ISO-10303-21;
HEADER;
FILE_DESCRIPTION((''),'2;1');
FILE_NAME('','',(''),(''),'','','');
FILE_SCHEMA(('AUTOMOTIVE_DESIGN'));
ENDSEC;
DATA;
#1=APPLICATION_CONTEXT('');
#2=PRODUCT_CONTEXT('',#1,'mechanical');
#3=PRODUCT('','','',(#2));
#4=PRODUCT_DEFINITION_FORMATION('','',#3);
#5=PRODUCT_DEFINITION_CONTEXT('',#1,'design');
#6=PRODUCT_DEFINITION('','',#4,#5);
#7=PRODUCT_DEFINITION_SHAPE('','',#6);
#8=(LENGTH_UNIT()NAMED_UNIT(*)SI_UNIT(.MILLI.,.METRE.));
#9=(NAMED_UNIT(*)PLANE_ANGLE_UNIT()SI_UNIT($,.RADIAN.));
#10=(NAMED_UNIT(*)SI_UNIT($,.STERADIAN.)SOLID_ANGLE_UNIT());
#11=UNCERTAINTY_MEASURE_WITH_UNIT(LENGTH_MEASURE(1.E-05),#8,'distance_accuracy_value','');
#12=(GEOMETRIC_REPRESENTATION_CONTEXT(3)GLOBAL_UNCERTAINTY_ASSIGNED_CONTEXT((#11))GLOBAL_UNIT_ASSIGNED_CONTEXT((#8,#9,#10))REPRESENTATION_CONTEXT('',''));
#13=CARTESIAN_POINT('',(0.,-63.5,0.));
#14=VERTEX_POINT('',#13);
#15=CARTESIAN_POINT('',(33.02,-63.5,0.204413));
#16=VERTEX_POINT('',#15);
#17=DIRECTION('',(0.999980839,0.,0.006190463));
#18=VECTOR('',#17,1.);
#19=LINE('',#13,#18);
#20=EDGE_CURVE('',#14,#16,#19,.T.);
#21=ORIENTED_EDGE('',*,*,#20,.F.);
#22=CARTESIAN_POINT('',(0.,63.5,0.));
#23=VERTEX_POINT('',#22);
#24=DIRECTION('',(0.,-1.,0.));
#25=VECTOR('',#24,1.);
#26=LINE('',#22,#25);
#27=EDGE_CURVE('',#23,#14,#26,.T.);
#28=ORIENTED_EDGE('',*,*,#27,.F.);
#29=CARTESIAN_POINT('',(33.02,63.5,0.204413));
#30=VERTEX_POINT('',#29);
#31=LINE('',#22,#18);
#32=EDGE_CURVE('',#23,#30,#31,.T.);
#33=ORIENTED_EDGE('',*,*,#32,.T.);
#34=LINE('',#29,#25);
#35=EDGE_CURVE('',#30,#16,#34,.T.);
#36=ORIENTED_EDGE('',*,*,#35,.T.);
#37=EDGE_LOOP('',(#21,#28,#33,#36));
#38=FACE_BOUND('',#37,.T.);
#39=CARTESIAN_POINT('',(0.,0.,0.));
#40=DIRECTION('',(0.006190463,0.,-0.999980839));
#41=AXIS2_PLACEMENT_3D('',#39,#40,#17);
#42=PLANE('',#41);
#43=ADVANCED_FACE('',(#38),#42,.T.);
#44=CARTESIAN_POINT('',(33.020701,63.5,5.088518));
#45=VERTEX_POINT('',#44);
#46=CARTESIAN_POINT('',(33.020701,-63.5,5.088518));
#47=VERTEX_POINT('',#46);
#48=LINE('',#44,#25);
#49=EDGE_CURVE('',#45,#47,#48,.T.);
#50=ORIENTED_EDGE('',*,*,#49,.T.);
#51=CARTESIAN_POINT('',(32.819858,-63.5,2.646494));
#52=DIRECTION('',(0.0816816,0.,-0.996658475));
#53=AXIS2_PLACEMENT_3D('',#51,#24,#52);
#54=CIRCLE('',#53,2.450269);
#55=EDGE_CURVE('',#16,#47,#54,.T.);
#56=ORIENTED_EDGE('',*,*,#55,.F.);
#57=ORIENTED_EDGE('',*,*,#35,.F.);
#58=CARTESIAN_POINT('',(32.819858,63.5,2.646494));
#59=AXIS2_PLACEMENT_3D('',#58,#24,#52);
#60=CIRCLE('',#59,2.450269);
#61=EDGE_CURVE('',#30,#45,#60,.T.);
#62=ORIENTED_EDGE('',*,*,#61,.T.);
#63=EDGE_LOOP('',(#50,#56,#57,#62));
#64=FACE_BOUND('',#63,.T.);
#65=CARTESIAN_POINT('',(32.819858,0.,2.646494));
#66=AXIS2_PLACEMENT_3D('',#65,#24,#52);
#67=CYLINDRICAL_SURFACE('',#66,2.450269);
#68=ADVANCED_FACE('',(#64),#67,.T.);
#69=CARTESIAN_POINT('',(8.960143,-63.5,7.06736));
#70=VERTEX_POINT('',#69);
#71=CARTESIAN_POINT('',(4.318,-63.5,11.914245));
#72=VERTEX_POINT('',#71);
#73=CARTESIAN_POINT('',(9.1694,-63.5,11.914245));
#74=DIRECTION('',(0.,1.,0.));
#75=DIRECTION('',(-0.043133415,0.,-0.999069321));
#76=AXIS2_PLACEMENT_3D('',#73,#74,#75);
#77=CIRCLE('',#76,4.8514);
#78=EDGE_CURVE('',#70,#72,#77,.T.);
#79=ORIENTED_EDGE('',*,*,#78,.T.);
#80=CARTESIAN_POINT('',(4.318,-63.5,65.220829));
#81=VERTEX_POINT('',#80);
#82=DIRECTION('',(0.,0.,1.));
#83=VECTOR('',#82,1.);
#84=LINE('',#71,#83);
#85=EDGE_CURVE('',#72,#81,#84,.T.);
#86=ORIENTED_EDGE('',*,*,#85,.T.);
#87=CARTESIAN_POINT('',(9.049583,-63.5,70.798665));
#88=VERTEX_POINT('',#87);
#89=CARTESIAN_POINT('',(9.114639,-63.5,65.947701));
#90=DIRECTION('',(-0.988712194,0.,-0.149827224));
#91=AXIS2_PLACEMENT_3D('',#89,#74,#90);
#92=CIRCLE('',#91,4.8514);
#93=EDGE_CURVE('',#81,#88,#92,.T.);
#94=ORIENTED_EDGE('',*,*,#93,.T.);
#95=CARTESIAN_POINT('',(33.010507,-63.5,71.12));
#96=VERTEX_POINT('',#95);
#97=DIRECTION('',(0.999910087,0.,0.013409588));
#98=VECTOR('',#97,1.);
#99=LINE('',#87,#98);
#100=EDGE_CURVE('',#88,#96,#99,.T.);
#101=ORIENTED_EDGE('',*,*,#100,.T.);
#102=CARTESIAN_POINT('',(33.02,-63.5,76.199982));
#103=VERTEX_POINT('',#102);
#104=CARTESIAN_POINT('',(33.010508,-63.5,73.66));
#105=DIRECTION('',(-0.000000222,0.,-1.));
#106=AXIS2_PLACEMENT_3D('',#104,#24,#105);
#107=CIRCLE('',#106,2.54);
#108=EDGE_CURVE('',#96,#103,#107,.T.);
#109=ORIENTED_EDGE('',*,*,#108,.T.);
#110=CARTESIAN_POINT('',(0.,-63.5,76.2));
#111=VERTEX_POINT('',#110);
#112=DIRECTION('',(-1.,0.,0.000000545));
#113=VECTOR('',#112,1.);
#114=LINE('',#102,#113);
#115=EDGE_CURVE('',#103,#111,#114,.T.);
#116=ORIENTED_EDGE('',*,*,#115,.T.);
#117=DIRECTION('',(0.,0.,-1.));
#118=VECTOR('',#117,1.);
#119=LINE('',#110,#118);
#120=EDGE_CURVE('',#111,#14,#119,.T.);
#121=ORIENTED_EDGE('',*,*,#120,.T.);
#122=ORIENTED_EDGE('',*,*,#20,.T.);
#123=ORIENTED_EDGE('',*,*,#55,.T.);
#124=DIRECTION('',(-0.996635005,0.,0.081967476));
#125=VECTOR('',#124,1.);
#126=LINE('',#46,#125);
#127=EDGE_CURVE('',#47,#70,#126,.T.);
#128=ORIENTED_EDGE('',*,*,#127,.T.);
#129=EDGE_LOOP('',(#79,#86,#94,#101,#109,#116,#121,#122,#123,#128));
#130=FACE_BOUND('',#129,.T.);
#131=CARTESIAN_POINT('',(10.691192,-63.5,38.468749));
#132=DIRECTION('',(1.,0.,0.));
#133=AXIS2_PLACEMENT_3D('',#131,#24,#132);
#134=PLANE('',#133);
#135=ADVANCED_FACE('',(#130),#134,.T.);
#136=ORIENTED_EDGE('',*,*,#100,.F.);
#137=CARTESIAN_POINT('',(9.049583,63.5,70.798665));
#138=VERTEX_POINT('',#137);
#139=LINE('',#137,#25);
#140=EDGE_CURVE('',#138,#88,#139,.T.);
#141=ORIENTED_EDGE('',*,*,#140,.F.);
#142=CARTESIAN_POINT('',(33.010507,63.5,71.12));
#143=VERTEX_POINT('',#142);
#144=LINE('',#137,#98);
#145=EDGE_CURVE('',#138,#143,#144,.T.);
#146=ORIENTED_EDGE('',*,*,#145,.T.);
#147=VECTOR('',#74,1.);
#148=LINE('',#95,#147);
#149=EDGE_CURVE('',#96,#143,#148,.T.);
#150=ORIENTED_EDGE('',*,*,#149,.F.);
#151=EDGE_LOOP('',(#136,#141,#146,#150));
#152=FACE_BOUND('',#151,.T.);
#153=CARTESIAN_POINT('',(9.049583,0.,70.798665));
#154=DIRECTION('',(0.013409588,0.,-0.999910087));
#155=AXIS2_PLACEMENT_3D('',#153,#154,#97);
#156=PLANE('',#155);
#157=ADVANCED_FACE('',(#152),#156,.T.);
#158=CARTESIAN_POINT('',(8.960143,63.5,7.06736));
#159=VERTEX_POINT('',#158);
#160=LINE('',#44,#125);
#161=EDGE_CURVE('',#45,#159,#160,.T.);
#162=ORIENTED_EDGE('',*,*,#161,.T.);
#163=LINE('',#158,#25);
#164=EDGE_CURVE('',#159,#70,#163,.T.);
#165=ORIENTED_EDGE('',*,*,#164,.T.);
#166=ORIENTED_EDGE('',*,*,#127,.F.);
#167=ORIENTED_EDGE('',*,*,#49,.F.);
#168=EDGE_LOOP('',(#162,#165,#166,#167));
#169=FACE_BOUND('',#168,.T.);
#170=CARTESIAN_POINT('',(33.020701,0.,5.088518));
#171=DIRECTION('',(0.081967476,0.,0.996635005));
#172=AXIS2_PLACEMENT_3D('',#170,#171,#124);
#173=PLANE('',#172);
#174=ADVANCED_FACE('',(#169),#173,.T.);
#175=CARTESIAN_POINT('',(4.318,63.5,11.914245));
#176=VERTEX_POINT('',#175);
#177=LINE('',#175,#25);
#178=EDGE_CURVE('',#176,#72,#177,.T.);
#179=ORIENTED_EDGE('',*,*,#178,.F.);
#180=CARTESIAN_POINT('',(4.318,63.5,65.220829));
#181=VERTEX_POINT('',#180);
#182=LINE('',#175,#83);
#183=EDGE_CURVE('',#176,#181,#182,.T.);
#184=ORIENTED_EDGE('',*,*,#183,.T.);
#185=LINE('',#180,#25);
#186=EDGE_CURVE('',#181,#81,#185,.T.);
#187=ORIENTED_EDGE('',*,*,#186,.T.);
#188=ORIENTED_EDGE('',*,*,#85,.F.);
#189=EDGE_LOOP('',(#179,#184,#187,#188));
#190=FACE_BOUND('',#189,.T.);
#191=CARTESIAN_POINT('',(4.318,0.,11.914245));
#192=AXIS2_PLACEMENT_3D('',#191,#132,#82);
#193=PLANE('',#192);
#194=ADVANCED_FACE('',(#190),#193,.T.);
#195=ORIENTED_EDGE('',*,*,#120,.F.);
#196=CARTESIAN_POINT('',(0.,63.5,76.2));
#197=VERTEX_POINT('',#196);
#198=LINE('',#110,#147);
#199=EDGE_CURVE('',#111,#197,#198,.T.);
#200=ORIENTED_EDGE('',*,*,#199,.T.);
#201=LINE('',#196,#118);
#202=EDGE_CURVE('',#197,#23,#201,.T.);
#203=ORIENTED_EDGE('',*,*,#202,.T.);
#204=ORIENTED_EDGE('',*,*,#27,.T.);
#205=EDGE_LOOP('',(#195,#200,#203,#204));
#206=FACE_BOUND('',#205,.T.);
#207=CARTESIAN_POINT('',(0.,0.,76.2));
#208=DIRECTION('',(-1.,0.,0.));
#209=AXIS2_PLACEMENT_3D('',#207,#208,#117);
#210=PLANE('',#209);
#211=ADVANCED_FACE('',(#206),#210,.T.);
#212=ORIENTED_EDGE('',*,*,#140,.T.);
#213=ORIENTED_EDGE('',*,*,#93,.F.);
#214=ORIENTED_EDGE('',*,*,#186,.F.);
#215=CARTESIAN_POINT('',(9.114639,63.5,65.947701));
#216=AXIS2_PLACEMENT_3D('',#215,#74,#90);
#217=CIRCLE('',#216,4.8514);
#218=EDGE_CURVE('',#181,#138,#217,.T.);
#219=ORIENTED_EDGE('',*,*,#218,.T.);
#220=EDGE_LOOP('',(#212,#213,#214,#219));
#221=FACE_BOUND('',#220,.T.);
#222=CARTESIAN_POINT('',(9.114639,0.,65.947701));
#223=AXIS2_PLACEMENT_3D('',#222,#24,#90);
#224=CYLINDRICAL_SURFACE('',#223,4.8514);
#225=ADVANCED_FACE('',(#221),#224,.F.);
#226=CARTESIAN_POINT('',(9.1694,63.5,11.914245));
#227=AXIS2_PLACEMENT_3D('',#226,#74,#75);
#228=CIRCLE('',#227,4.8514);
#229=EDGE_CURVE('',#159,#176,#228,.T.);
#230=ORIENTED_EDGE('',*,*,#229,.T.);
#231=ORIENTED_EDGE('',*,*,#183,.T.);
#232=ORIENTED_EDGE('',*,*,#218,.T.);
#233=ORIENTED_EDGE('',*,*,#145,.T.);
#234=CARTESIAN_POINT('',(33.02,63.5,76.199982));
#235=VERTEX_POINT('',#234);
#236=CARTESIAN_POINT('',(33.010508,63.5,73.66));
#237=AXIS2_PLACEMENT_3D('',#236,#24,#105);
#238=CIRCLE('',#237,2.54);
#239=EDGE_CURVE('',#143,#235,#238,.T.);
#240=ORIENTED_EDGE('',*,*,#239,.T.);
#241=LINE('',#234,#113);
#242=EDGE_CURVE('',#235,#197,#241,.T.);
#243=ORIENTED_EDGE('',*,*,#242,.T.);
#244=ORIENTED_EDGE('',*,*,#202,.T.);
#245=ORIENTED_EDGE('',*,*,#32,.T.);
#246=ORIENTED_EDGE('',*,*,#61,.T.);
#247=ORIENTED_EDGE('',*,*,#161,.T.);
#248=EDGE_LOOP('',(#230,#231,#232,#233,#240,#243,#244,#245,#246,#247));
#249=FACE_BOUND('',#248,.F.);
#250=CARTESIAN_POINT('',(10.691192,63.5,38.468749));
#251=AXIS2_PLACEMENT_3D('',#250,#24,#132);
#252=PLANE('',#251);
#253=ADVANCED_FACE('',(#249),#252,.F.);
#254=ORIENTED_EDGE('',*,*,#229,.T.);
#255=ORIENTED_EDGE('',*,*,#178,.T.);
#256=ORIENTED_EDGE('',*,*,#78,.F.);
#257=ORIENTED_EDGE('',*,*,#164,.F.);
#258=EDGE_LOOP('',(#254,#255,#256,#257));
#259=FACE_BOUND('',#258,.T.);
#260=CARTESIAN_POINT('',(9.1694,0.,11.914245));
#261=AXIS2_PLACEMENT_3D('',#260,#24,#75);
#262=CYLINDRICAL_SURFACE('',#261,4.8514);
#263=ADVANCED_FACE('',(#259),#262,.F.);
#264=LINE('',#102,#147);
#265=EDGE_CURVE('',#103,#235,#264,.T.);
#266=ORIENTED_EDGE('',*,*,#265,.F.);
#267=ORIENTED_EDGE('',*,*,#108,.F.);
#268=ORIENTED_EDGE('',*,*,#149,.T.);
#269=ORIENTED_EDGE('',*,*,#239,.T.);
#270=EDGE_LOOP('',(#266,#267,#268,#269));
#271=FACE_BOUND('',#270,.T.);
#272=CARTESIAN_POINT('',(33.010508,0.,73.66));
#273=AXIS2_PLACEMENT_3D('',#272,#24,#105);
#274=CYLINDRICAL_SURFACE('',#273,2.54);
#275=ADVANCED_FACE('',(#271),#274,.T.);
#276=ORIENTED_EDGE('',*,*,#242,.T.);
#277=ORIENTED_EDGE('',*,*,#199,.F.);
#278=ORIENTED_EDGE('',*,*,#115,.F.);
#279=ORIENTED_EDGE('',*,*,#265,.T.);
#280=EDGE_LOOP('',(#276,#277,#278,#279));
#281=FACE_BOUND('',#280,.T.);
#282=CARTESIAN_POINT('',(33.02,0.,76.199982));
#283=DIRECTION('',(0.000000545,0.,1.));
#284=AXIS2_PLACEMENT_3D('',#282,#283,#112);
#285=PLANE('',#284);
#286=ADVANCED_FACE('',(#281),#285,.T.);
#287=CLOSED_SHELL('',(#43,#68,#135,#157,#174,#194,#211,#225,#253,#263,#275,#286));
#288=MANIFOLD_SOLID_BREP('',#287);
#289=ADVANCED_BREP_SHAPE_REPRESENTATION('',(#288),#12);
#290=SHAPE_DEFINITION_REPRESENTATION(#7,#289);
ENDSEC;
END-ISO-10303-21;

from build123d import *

# Parameters (mm, degrees)
F1_DEPTH = 63.5


with BuildPart() as f1:
    # F0 (on Front) → F1 (new body, symmetric)
    with BuildSketch(Plane.XZ):
        with BuildLine():
            Line((0, 76.2), (0, 0))
            Line((0, 0), (33.02, 0.204413))
            ThreePointArc((33.02, 0.204413), (35.270127, 2.646143), (33.020701, 5.088518))
            Line((33.020701, 5.088518), (8.960143, 7.06736))
            ThreePointArc((8.960143, 7.06736), (5.66574, 8.558586), (4.318, 11.914245))
            Line((4.318, 11.914245), (4.318, 65.220829))
            ThreePointArc((4.318, 65.220829), (5.415033, 69.086013), (9.049583, 70.798665))
            Line((9.049583, 70.798665), (33.010507, 71.12))
            ThreePointArc((33.010507, 71.12), (35.550503, 73.655254), (33.02, 76.199982))
            Line((33.02, 76.199982), (0, 76.2))
        make_face()
    extrude(amount=F1_DEPTH, both=True)


solid = f1.part
